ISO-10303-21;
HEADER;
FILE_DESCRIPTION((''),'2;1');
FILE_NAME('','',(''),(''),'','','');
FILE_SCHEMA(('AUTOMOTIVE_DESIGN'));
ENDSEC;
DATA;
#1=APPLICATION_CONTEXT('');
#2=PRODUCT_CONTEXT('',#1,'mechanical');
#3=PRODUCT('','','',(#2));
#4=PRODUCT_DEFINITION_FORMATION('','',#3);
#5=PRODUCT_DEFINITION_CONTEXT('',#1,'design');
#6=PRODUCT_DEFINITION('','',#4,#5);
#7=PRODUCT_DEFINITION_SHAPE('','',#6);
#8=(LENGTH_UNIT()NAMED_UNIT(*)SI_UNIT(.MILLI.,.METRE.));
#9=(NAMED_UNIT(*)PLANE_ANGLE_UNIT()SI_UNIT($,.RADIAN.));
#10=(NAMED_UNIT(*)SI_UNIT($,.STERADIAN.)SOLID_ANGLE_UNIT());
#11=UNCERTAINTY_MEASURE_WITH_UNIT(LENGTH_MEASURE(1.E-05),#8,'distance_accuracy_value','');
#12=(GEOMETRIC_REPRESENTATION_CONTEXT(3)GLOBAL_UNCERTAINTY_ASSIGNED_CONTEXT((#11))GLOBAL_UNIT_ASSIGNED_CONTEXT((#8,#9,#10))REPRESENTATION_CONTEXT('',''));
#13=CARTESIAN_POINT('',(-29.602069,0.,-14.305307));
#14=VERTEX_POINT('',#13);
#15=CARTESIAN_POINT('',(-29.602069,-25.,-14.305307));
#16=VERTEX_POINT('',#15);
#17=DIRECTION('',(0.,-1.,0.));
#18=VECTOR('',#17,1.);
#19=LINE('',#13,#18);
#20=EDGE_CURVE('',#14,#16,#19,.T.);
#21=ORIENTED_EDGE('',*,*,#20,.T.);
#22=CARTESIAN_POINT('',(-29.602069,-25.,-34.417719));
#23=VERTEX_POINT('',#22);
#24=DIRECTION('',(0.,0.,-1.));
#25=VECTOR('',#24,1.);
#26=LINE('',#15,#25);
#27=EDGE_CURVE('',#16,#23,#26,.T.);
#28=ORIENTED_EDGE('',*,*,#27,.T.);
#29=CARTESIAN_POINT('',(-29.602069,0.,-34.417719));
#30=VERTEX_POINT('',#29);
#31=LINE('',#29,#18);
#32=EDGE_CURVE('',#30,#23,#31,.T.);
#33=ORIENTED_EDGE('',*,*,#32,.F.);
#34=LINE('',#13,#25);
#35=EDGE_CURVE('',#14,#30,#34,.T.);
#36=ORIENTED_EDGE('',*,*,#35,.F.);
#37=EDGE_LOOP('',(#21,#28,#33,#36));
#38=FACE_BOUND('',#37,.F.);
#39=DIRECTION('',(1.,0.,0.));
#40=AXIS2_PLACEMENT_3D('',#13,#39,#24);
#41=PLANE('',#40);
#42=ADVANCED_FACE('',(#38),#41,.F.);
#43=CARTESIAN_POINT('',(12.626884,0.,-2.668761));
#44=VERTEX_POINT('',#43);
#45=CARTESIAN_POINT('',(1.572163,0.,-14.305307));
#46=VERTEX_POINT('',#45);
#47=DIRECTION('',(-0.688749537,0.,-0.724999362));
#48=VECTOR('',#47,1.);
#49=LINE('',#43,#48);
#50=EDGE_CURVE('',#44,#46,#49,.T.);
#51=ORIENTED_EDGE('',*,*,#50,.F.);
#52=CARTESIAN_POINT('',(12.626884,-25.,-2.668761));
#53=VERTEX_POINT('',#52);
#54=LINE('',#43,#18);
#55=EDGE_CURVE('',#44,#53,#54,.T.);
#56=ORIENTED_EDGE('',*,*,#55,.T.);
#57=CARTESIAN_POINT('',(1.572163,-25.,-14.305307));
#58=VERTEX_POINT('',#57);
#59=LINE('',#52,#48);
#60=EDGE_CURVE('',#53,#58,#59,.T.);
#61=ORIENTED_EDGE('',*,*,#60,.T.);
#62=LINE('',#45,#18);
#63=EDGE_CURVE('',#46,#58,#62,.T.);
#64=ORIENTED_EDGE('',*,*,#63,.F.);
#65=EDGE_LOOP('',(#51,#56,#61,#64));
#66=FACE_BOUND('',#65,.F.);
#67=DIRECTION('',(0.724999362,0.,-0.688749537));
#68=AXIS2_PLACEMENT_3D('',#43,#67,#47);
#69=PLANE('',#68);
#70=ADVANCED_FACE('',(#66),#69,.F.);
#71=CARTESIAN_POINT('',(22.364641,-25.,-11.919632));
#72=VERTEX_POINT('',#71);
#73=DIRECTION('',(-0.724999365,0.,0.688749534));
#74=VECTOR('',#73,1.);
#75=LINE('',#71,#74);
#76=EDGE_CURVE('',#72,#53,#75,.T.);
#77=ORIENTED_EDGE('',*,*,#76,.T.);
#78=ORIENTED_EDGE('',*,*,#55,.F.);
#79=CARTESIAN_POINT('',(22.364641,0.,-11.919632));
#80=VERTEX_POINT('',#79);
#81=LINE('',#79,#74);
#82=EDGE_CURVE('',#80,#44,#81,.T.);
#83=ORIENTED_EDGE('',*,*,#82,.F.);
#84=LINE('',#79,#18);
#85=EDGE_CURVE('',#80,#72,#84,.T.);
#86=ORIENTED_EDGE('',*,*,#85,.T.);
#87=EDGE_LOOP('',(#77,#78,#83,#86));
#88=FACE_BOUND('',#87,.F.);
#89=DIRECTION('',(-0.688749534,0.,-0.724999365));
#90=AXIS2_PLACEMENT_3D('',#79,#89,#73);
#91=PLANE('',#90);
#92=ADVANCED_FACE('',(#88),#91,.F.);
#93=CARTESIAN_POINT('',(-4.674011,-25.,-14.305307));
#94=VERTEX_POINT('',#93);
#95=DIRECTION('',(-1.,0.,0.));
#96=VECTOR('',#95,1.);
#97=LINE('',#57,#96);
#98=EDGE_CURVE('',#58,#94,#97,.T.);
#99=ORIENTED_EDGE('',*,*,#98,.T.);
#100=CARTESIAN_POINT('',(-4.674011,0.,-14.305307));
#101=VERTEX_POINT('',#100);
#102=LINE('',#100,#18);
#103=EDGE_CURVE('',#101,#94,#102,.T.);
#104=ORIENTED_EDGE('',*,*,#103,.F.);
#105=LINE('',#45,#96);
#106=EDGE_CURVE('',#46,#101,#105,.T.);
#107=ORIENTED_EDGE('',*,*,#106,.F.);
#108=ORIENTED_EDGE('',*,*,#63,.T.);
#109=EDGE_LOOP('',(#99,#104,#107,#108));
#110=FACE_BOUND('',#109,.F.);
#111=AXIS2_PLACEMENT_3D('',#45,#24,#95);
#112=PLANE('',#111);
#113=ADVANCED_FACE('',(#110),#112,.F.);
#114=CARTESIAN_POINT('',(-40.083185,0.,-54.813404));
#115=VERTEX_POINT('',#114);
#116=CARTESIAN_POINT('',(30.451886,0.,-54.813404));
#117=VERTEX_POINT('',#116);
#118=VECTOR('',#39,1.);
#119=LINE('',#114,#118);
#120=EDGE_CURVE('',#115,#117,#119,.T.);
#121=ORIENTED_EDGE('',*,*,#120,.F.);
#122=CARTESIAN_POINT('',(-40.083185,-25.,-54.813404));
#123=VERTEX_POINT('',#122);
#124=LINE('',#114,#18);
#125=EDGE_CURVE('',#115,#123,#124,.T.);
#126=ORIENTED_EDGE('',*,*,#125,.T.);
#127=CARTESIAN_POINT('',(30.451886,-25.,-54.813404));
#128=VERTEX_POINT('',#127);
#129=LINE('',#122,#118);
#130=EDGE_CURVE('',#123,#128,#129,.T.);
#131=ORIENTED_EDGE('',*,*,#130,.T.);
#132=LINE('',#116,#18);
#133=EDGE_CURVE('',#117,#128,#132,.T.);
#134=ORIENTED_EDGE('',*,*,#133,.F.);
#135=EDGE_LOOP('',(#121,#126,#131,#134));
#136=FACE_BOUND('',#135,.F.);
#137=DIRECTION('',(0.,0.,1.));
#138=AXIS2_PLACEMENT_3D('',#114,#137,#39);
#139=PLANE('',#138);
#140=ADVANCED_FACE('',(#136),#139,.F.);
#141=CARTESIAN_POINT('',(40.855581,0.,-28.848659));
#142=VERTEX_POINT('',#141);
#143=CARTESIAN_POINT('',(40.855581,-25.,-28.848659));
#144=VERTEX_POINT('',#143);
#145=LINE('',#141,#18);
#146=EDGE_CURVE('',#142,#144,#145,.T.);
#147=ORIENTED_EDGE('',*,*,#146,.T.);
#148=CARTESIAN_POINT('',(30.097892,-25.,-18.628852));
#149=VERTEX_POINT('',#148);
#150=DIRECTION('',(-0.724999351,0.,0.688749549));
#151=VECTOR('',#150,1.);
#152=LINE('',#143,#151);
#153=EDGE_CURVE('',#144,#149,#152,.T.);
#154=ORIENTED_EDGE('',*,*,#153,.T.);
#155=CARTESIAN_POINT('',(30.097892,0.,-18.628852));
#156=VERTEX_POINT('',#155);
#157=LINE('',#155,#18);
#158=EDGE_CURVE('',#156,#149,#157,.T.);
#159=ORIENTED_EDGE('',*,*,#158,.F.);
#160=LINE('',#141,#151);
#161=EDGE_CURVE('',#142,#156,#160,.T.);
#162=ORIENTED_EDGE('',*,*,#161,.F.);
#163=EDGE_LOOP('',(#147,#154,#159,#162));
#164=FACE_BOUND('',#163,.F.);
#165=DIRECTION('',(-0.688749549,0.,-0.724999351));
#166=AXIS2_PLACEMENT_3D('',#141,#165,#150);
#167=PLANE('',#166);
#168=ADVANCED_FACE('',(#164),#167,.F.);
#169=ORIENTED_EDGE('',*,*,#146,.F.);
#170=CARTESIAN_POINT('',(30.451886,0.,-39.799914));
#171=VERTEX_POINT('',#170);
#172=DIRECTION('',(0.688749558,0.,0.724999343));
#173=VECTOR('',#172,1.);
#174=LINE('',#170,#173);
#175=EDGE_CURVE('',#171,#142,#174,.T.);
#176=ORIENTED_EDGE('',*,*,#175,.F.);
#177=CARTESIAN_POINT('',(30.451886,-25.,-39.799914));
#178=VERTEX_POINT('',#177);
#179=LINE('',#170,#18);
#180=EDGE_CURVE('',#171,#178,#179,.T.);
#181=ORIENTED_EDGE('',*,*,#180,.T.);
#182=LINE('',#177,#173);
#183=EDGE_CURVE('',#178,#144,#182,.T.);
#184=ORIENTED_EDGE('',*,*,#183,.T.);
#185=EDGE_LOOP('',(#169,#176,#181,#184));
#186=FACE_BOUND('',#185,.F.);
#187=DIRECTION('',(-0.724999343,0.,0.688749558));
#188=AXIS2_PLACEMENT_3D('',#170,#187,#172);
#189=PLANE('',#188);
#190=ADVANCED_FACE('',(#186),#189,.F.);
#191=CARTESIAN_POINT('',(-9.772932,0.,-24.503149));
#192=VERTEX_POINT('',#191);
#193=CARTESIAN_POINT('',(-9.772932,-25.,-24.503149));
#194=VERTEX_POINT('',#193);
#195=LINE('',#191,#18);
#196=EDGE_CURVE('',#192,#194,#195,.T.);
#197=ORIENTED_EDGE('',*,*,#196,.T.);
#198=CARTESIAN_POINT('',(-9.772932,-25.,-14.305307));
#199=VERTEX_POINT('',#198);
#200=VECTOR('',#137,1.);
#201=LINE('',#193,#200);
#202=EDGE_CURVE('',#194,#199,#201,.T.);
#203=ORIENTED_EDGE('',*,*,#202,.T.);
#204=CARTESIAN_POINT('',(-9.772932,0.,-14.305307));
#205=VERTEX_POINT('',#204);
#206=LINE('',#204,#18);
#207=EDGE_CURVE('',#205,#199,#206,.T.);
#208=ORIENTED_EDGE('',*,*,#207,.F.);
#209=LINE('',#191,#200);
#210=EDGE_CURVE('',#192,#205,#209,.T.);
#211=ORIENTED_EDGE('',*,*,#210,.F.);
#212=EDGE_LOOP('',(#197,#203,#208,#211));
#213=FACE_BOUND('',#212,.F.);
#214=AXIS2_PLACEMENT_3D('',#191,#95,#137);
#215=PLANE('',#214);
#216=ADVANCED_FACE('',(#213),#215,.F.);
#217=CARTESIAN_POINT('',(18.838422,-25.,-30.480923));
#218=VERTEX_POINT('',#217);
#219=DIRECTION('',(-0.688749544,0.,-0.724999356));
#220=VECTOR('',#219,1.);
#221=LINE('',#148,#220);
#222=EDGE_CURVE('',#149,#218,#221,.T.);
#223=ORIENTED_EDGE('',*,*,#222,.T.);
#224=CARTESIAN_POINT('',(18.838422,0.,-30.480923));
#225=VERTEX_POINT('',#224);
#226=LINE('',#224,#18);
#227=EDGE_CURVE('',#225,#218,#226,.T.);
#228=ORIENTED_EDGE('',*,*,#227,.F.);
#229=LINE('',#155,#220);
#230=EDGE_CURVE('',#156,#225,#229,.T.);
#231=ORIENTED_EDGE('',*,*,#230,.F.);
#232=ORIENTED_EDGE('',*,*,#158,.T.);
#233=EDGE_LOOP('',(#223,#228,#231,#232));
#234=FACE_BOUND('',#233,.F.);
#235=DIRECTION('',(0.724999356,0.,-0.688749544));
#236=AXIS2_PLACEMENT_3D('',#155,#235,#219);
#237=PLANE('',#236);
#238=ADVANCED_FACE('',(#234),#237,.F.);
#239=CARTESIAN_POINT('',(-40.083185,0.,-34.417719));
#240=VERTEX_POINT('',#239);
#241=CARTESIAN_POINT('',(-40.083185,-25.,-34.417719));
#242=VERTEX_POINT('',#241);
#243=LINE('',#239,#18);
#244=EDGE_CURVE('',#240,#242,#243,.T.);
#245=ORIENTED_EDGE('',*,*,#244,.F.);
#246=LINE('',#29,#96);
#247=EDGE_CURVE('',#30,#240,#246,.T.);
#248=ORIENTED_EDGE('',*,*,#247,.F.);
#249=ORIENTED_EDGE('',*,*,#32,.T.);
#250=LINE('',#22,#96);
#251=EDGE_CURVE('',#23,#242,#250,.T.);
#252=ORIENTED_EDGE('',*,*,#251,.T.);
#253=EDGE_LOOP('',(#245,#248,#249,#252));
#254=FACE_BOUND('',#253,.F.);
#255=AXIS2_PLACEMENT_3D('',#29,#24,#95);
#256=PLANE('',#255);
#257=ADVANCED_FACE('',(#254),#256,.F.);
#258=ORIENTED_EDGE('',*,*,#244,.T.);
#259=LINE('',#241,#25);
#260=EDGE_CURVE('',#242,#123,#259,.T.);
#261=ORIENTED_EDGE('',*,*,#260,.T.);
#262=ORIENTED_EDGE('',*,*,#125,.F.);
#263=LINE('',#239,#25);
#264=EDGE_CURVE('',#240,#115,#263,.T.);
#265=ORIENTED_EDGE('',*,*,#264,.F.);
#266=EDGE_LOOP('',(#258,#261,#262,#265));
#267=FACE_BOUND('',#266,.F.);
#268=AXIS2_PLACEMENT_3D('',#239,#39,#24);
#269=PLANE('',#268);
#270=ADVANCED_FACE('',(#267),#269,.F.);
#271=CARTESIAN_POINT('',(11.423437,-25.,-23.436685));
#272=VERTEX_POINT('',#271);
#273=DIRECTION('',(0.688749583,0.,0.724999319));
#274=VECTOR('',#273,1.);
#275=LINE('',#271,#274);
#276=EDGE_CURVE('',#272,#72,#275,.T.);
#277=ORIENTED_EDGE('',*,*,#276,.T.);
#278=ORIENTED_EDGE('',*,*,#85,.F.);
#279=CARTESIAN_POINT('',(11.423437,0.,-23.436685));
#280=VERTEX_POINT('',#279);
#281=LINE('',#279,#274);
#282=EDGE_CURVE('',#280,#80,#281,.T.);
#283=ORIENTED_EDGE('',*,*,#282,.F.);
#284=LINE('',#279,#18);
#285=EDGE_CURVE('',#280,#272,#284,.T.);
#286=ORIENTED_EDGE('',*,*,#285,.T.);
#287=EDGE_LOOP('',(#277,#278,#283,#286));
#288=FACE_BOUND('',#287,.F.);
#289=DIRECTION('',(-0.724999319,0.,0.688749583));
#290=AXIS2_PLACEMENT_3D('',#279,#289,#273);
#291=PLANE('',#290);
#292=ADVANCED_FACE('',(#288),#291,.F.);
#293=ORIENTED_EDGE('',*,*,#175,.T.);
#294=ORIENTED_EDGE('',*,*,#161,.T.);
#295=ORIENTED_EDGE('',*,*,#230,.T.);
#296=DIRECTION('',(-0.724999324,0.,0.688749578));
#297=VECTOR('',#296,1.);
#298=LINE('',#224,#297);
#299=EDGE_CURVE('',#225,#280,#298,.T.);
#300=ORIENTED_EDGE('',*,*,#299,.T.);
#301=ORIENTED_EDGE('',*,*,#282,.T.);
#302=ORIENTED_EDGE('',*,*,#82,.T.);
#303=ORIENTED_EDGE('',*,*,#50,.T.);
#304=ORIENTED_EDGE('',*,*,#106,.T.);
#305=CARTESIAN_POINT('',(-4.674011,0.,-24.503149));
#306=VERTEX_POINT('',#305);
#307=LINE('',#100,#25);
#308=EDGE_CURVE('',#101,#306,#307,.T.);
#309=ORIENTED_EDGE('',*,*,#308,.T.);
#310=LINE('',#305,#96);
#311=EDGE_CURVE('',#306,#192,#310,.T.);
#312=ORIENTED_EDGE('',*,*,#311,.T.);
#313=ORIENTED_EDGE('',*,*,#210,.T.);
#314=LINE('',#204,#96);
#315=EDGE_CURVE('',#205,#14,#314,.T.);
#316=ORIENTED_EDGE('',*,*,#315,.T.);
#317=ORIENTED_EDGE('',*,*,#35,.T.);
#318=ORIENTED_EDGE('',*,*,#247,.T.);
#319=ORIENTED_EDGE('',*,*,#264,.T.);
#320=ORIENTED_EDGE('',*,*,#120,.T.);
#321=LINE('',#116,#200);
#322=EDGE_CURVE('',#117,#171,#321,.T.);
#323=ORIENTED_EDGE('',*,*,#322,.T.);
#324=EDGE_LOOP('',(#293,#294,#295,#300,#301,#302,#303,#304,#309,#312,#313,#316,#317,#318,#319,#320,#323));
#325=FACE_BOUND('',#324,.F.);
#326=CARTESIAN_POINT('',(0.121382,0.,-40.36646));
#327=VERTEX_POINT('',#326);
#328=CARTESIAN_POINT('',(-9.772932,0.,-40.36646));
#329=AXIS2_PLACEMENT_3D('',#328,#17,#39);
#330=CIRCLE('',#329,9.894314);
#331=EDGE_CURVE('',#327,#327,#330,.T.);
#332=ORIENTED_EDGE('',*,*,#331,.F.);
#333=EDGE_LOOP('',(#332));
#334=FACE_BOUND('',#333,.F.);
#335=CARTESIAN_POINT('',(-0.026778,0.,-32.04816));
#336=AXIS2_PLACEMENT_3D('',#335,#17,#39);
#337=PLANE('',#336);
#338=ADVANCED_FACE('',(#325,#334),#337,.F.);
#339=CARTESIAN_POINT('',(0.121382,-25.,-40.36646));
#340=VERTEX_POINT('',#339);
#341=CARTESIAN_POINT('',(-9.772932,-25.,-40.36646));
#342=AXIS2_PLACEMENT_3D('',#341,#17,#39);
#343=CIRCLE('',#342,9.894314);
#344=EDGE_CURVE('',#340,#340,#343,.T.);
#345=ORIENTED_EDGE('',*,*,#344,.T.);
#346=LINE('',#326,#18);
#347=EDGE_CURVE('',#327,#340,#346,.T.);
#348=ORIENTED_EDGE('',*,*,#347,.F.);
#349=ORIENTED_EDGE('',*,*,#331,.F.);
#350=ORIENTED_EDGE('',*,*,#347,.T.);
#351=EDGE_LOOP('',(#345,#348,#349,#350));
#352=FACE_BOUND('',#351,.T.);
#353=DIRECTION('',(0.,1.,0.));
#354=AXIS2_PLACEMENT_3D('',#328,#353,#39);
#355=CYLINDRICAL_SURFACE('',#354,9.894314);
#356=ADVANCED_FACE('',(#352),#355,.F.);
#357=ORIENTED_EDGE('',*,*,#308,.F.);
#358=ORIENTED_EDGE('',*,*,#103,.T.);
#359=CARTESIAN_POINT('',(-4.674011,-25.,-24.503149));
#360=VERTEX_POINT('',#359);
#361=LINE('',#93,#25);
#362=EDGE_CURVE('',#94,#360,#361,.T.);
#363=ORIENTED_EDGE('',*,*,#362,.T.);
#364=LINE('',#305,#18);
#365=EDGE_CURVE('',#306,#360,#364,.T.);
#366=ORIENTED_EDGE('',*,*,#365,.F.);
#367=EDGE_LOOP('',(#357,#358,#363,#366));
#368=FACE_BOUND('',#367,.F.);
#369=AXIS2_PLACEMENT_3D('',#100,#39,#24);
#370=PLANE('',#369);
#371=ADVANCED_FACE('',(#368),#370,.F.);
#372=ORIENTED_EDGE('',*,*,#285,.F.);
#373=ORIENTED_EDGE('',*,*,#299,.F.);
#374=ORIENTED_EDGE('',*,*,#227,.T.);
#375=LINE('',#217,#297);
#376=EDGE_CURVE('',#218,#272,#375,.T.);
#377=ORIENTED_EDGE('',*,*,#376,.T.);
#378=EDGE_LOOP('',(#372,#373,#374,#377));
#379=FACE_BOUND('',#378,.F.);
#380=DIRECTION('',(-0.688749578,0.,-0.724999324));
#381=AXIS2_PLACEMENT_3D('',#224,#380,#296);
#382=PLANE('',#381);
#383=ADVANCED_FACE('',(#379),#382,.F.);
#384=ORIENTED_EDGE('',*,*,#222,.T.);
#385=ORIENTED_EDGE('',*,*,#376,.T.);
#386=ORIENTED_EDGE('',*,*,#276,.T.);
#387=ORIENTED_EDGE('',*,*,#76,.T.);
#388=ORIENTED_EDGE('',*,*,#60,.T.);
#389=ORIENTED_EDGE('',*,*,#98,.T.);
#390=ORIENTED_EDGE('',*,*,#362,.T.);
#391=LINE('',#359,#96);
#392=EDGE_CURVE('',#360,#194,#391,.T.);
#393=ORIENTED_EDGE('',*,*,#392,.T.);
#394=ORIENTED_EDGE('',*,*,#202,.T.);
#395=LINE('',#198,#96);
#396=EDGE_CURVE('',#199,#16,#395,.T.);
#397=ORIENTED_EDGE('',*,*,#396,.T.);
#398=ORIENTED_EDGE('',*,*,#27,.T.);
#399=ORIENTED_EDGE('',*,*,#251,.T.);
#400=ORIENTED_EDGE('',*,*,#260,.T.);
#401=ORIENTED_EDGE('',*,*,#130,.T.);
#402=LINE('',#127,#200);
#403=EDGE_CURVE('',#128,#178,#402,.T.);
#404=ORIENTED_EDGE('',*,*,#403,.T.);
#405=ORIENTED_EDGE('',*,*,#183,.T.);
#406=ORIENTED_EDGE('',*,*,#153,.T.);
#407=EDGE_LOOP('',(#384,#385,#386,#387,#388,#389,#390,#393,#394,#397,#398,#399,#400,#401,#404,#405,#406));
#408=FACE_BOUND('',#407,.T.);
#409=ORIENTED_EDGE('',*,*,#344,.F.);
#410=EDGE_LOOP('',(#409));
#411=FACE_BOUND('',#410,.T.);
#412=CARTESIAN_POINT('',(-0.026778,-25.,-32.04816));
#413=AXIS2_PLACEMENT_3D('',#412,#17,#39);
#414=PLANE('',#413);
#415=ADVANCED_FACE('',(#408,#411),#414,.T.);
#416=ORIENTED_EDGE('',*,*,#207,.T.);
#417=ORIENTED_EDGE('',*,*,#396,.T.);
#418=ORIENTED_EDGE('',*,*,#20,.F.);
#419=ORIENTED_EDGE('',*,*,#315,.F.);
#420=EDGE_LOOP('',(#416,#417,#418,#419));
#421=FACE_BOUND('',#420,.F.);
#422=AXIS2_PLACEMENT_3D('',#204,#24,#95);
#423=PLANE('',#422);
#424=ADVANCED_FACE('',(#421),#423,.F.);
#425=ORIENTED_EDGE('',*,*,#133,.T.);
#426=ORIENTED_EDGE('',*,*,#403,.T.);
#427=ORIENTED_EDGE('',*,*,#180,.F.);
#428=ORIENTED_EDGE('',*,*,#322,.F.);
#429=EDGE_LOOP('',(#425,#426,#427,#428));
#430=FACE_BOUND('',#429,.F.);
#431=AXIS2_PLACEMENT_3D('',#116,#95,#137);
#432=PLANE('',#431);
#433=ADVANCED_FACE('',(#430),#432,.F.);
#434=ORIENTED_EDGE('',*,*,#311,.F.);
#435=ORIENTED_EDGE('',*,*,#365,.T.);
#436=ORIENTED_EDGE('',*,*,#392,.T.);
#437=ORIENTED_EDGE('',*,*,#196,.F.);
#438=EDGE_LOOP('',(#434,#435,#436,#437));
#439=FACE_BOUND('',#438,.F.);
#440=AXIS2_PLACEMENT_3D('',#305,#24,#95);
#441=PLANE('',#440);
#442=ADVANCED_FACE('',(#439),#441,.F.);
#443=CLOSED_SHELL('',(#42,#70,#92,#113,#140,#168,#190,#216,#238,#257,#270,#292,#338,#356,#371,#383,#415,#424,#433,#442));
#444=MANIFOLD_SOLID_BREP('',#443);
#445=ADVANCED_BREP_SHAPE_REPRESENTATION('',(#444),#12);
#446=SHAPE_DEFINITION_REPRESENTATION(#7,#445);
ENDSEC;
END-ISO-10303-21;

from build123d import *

# Parameters (mm, degrees)
F0_R     = 9.894314
F1_DEPTH = 25


with BuildPart() as f1:
    # F0 (on Front) → F1 (new body)
    with BuildSketch(Plane.XZ):
        Polygon((-40.083185, -34.417719), (-40.083185, -54.813404), (30.451886, -54.813404), (30.451886, -39.799914), (40.855581, -28.848659), (30.097892, -18.628852), (18.838422, -30.480923), (11.423437, -23.436685), (22.364641, -11.919632), (12.626884, -2.668761), (1.572163, -14.305307), (-4.674011, -14.305307), (-4.674011, -24.503149), (-9.772932, -24.503149), (-9.772932, -14.305307), (-29.602069, -14.305307), (-29.602069, -34.417719), align=None)
        with Locations((-9.772932, -40.36646)):
            Circle(F0_R, mode=Mode.SUBTRACT)
    extrude(amount=F1_DEPTH)


solid = f1.part
